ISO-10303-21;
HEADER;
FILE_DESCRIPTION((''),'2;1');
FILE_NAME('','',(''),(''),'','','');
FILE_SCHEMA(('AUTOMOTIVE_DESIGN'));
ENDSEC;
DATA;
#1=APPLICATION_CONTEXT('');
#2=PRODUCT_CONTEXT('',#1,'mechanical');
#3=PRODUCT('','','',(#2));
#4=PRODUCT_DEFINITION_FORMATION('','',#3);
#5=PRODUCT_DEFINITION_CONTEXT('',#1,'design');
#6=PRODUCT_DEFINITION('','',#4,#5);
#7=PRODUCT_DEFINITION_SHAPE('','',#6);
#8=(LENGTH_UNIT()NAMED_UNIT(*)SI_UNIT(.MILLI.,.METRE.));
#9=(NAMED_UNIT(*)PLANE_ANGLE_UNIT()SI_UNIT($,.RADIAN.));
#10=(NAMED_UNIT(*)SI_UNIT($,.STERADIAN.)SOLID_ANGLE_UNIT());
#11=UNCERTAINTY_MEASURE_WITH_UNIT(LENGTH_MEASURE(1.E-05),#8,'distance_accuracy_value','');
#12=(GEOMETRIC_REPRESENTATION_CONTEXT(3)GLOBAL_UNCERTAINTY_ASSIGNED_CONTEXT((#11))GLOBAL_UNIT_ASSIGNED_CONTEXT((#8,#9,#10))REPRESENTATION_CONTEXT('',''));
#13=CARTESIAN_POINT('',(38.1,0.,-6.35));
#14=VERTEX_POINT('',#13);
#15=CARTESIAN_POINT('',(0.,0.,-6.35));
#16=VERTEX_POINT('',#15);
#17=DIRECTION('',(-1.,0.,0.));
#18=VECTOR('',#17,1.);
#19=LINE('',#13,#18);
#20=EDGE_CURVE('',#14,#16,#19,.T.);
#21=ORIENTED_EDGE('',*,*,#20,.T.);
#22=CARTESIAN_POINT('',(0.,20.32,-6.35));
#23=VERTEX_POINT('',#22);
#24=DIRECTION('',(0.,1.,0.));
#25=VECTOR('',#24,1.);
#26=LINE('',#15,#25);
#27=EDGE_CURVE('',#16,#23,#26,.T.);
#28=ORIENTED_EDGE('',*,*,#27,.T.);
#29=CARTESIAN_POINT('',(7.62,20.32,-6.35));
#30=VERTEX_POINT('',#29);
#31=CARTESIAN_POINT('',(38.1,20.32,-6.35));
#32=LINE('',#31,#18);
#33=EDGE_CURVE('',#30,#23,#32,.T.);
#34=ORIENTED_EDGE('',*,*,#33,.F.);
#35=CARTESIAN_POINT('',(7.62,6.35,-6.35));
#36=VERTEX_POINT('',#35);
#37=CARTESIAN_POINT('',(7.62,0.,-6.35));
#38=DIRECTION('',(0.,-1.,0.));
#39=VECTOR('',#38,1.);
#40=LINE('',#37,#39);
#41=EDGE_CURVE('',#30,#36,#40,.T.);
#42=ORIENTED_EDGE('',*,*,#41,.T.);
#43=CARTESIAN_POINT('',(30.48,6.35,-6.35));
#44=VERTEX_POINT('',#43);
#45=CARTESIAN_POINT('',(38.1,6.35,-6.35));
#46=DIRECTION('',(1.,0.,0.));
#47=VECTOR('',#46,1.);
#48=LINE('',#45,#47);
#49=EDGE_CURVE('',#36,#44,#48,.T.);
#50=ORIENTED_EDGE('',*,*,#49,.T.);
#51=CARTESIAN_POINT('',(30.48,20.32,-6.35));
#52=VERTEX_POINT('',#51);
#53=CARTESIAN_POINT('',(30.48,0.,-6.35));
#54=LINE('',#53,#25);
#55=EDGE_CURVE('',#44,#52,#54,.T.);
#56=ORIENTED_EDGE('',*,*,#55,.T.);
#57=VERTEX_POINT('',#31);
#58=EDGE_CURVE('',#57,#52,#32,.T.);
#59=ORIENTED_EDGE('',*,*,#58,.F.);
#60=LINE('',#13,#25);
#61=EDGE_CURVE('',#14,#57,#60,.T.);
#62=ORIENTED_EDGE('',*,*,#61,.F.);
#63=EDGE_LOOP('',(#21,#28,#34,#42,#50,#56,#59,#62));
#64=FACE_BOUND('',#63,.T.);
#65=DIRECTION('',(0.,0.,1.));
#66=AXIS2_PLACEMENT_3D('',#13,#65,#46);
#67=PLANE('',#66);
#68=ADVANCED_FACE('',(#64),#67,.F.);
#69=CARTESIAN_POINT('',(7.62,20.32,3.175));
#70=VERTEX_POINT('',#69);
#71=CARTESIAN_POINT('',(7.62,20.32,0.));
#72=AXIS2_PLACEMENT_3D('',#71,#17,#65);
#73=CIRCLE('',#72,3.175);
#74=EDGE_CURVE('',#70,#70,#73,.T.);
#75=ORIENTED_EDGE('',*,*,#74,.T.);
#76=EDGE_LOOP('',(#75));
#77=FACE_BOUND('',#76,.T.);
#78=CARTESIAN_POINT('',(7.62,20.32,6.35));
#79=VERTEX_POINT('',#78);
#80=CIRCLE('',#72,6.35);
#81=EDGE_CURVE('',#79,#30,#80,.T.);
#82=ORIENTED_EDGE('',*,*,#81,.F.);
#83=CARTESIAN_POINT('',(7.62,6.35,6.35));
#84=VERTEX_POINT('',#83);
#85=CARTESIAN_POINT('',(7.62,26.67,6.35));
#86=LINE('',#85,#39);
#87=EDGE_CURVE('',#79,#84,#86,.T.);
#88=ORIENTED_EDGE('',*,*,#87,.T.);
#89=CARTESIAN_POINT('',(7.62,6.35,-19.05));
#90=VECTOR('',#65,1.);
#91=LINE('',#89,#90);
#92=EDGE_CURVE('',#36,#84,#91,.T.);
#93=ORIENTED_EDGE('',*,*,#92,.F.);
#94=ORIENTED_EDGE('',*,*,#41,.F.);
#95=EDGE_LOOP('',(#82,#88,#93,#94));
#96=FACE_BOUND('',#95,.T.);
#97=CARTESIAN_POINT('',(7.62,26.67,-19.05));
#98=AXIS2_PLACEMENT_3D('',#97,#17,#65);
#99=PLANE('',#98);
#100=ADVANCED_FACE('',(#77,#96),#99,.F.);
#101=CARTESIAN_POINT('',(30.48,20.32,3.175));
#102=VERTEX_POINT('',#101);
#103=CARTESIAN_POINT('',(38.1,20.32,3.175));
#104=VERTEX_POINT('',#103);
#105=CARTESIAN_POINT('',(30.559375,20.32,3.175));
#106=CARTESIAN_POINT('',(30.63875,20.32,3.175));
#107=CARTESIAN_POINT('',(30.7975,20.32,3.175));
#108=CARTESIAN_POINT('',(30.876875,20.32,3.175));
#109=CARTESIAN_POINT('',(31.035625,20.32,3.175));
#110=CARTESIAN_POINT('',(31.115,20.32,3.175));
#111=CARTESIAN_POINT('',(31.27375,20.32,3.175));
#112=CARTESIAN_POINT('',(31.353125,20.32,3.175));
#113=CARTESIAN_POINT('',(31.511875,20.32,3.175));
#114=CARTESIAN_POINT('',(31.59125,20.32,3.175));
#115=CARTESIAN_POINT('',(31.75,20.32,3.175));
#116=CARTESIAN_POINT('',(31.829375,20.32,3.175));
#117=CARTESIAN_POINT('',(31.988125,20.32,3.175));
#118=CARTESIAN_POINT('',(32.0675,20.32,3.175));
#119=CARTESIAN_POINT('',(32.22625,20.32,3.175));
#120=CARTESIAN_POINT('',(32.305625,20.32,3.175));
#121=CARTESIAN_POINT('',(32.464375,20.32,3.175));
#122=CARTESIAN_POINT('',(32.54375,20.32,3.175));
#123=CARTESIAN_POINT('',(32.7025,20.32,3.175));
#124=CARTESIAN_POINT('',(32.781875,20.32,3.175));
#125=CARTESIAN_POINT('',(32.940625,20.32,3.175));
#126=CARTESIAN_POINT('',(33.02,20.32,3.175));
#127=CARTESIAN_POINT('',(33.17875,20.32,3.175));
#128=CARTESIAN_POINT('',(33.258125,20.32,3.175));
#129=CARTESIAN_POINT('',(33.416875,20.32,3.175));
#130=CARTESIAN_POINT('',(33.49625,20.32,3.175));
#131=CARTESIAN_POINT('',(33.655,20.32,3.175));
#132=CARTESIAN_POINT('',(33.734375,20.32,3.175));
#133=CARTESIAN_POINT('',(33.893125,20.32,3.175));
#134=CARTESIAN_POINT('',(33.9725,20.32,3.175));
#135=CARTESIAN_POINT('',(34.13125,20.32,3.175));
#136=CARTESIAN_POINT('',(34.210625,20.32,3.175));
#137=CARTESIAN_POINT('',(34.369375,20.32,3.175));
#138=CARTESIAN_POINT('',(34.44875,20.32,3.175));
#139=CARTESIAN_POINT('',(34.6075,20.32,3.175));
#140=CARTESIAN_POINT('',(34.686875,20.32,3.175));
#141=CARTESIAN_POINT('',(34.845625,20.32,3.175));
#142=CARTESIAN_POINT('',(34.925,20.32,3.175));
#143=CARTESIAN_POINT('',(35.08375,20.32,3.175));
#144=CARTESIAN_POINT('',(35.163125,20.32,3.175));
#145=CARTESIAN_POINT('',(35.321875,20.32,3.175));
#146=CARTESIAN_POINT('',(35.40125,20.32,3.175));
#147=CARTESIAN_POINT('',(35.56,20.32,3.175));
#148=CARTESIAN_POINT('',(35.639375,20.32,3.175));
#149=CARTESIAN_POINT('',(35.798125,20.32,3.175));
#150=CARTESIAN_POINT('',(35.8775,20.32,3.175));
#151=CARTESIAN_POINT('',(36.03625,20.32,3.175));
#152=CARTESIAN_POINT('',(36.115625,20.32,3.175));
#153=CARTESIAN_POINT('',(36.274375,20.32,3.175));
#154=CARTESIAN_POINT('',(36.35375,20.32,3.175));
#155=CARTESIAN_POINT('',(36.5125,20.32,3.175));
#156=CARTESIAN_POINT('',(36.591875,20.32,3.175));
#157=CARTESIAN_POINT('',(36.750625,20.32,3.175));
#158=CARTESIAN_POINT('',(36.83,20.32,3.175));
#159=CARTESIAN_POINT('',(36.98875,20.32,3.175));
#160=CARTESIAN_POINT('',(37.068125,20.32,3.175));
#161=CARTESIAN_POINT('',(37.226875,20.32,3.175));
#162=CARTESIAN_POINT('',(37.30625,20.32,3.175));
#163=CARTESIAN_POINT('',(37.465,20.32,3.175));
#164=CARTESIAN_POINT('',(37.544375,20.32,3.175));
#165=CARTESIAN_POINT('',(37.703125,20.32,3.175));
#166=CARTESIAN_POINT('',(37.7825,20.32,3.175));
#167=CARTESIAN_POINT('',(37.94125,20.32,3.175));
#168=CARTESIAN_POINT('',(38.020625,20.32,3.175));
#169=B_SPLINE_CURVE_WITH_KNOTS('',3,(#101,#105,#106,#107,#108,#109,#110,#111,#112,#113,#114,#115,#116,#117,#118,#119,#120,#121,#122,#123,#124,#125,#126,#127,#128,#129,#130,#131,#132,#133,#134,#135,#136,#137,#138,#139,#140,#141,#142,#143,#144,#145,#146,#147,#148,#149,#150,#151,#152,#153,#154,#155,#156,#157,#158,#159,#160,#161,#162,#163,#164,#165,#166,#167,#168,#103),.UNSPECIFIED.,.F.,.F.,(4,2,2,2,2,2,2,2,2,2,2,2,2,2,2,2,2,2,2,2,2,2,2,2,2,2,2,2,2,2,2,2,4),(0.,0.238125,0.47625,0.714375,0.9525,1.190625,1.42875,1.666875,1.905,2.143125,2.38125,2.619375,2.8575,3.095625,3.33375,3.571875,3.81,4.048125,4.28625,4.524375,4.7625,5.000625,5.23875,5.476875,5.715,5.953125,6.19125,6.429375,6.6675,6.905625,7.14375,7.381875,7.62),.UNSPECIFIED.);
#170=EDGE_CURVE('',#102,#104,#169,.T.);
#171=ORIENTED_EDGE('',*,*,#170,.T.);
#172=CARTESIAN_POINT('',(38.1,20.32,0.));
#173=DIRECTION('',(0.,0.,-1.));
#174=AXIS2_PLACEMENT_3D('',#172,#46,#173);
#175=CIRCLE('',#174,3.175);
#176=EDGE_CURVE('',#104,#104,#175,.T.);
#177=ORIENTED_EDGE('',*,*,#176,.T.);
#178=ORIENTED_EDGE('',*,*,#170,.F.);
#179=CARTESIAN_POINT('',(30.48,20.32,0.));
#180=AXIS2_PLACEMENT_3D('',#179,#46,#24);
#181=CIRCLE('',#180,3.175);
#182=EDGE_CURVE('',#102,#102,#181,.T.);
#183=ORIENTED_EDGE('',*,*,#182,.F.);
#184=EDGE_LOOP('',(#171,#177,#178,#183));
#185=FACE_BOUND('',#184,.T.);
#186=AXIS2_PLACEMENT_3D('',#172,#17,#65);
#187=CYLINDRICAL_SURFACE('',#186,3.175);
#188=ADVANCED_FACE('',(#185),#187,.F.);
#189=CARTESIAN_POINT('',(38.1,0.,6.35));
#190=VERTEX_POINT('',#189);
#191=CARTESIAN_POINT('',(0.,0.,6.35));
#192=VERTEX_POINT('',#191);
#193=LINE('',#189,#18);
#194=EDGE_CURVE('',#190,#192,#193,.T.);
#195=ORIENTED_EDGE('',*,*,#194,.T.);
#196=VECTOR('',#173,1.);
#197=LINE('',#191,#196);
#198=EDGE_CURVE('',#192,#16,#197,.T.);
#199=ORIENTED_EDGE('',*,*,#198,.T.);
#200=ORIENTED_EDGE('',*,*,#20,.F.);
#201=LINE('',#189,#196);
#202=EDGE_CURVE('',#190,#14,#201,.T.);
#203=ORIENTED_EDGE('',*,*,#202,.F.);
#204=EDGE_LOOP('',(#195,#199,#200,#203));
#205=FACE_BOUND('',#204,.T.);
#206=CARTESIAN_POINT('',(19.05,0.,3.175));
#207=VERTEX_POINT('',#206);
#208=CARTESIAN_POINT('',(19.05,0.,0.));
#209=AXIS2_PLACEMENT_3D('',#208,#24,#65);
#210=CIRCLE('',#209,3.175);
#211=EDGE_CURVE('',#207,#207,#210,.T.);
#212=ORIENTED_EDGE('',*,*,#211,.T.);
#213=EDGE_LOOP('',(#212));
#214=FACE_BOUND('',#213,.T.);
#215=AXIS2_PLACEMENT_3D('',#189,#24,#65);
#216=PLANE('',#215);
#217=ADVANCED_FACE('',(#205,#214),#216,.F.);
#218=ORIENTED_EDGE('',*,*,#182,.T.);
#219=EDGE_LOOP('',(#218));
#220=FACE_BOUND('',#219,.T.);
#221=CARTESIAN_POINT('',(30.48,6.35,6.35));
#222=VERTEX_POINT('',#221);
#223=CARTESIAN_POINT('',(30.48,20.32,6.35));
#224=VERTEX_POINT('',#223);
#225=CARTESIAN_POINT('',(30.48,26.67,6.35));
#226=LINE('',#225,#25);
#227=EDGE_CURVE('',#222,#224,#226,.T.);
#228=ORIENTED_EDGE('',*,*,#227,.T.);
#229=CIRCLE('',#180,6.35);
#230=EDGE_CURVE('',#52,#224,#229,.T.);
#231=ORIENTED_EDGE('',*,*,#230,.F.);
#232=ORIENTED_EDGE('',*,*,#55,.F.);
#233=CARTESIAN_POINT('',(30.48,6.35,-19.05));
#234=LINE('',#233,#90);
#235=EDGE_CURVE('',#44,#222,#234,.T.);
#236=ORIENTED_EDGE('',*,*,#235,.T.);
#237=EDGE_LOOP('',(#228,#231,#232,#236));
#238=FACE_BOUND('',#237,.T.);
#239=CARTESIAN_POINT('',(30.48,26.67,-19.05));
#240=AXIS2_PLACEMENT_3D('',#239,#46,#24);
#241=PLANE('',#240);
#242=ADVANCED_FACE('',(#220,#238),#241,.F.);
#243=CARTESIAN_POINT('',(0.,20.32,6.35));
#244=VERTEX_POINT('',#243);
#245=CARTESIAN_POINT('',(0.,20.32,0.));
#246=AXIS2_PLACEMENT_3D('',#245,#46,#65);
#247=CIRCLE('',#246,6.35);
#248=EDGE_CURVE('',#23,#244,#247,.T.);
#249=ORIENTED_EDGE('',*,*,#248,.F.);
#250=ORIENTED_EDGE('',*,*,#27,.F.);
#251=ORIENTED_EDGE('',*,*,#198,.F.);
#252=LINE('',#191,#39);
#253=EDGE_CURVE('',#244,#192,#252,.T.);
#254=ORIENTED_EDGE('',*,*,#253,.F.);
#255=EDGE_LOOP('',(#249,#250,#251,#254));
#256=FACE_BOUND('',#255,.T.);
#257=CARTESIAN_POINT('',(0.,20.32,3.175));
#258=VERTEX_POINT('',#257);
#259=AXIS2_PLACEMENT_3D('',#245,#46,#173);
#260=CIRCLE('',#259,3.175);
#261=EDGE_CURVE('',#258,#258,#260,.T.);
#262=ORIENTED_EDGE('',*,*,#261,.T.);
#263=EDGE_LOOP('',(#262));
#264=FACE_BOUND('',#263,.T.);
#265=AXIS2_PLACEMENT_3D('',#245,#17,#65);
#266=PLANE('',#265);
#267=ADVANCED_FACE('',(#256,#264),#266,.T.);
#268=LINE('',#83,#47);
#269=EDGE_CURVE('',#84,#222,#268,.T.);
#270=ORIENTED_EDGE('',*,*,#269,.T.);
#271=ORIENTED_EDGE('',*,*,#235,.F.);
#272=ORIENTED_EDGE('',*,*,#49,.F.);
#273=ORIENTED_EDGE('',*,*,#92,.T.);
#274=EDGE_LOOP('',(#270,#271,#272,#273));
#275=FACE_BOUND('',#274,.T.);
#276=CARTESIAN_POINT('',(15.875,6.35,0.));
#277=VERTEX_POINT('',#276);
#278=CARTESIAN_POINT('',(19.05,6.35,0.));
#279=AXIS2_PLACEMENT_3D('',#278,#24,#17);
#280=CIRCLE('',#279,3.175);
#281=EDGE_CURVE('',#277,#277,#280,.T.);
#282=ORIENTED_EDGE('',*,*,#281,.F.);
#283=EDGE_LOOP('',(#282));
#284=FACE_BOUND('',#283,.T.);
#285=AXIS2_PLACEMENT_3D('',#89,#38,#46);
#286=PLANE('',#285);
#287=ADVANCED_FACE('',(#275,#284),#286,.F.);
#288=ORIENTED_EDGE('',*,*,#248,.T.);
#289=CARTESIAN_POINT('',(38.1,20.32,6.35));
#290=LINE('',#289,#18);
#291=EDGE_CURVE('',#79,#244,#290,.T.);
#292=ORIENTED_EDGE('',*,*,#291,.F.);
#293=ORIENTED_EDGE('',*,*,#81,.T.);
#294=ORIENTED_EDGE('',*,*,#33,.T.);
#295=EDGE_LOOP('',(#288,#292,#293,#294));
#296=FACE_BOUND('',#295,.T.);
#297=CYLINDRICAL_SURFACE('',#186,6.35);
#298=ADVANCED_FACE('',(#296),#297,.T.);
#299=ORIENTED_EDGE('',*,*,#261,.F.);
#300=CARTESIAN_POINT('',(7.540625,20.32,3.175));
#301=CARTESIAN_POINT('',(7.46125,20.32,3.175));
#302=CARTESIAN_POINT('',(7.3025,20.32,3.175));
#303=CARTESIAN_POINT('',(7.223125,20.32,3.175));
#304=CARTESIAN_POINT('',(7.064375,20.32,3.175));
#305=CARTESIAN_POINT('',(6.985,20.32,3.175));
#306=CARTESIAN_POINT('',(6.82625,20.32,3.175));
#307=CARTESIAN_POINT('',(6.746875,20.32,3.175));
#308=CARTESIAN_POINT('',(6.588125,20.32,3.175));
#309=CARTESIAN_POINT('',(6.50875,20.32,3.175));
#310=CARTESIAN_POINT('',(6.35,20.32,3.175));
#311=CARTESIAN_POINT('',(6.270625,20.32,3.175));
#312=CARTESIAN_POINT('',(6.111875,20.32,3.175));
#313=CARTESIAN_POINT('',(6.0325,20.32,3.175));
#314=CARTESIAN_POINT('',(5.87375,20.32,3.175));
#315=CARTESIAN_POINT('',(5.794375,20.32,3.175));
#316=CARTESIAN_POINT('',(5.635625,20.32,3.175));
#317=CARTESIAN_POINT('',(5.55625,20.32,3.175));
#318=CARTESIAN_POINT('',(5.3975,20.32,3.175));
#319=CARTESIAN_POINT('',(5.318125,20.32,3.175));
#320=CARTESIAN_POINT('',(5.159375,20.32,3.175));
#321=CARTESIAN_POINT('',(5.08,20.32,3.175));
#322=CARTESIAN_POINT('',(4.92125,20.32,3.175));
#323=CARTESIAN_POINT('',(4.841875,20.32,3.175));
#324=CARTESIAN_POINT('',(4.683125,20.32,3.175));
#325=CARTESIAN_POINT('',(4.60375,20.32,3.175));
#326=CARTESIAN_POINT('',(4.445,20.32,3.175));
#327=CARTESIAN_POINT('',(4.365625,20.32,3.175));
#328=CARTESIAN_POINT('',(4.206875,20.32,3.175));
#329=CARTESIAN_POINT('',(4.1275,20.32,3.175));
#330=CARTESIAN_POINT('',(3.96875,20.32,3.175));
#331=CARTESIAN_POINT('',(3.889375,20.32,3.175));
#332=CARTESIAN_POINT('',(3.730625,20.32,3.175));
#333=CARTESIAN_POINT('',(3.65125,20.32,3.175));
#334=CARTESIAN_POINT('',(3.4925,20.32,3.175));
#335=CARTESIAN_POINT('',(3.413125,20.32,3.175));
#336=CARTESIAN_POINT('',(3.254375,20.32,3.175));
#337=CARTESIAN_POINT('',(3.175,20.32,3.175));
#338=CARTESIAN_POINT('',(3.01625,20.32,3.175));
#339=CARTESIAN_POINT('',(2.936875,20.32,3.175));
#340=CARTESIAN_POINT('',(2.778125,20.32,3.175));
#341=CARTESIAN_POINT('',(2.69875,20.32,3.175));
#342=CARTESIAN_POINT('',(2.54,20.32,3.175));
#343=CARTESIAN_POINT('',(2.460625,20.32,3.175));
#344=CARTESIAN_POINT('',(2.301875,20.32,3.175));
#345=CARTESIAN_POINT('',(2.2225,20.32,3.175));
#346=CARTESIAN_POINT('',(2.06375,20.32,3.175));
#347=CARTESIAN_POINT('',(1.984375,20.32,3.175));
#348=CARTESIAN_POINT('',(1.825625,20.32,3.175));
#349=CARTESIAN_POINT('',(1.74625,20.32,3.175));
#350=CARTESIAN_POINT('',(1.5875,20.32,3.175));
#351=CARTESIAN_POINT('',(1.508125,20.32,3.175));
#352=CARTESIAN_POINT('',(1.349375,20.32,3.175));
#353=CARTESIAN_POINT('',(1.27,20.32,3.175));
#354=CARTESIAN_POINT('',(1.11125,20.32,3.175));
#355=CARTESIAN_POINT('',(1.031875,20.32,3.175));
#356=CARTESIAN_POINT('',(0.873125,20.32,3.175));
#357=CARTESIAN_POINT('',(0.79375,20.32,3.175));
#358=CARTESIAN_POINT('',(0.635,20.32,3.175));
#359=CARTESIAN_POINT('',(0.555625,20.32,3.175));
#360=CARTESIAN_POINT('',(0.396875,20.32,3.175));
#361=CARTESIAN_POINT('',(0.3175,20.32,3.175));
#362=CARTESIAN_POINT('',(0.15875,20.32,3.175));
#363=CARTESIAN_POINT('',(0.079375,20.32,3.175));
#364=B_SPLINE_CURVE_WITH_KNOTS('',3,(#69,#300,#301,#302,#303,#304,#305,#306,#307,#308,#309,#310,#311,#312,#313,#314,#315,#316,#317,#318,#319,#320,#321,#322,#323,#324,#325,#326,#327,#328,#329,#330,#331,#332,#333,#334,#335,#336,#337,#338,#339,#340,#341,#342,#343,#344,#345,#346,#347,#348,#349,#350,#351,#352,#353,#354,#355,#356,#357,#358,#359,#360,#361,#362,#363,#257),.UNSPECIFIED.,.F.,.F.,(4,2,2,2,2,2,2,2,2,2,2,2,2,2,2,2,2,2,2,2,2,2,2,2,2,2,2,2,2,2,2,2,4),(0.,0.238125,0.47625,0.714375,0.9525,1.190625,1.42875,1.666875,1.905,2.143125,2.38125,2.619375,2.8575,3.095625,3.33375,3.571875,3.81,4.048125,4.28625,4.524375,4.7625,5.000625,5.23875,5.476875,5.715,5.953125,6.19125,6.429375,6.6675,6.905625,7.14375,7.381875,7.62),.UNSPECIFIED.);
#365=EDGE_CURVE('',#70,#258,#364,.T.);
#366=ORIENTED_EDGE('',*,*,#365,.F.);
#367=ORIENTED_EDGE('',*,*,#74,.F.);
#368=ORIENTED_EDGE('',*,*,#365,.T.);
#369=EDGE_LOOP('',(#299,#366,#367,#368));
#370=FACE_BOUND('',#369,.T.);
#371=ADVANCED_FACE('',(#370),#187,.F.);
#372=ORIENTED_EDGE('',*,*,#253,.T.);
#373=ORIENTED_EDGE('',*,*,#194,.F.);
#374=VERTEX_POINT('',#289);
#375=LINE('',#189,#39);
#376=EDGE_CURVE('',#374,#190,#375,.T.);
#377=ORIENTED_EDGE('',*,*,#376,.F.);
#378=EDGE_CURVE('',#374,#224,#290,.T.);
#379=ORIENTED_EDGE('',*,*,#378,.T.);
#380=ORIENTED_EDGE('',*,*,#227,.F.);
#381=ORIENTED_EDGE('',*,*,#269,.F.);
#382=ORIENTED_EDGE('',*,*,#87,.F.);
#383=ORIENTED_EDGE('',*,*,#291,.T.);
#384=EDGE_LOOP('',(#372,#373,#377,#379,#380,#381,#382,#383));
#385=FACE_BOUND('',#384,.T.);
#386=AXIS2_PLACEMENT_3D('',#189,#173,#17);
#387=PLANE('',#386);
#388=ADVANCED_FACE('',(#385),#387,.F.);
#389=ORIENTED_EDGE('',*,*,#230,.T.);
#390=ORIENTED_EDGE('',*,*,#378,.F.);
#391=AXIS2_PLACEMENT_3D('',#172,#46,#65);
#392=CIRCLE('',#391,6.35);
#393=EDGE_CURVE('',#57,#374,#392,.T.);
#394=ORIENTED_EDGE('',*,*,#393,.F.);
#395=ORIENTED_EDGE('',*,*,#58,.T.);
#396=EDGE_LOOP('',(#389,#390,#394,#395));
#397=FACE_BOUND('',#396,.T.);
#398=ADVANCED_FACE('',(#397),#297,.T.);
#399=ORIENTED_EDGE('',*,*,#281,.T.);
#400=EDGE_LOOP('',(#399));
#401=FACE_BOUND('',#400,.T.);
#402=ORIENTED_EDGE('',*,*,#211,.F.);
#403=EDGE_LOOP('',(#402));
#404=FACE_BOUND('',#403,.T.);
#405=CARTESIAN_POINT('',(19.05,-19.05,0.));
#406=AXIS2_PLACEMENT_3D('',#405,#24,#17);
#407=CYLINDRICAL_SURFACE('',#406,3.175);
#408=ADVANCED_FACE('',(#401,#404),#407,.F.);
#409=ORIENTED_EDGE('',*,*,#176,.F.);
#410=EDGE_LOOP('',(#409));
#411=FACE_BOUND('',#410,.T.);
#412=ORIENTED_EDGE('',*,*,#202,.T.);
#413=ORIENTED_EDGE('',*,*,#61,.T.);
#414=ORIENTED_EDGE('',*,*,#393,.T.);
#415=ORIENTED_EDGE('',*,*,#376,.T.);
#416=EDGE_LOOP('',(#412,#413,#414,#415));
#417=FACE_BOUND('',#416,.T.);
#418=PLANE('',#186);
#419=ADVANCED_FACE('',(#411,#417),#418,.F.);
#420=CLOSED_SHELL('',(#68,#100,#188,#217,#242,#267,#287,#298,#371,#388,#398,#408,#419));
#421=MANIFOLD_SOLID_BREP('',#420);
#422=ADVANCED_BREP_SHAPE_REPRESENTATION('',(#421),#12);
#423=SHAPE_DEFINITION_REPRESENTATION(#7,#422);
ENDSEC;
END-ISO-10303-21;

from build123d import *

# Parameters (mm, degrees)
SKETCH1_R           = 3.175
BOSS_EXTRUDE1_DEPTH = 38.1
SKETCH2_W           = 22.86
SKETCH2_H           = 20.32
CUT_EXTRUDE1_DEPTH  = 25.4
SKETCH3_R           = 3.175
CUT_EXTRUDE2_DEPTH  = 25.4


with BuildPart() as part:
    # Sketch1 → Boss-Extrude1 (new body)
    with BuildSketch(Plane(origin=(0, 0, 0), x_dir=(0, 0, -1), z_dir=(1, 0, 0))):
        with BuildLine():
            Line((-6.35, 0), (6.35, 0))
            Line((6.35, 0), (6.35, 20.32))
            ThreePointArc((6.35, 20.32), (0, 26.67), (-6.35, 20.32))
            Line((-6.35, 20.32), (-6.35, 0))
        make_face()
        with Locations(Location((0, 20.32, 0), (0, 0, 180))):
            Circle(SKETCH1_R, mode=Mode.SUBTRACT)
    extrude(amount=BOSS_EXTRUDE1_DEPTH)

    # Sketch2 → Cut-Extrude1 (cut)
    with BuildSketch(Plane.XY.offset(6.35)):
        with Locations((19.05, 16.51)):
            Rectangle(SKETCH2_W, SKETCH2_H)
    extrude(amount=-CUT_EXTRUDE1_DEPTH, mode=Mode.SUBTRACT)

    # Sketch3 → Cut-Extrude2 (cut)
    with BuildSketch(Plane(origin=(0, 6.35, 0), x_dir=(1, 0, 0), z_dir=(0, 1, 0))):
        with Locations(Location((19.05, 0, 0), (0, 0, 180))):
            Circle(SKETCH3_R)
    extrude(amount=-CUT_EXTRUDE2_DEPTH, mode=Mode.SUBTRACT)


solid = part.part
